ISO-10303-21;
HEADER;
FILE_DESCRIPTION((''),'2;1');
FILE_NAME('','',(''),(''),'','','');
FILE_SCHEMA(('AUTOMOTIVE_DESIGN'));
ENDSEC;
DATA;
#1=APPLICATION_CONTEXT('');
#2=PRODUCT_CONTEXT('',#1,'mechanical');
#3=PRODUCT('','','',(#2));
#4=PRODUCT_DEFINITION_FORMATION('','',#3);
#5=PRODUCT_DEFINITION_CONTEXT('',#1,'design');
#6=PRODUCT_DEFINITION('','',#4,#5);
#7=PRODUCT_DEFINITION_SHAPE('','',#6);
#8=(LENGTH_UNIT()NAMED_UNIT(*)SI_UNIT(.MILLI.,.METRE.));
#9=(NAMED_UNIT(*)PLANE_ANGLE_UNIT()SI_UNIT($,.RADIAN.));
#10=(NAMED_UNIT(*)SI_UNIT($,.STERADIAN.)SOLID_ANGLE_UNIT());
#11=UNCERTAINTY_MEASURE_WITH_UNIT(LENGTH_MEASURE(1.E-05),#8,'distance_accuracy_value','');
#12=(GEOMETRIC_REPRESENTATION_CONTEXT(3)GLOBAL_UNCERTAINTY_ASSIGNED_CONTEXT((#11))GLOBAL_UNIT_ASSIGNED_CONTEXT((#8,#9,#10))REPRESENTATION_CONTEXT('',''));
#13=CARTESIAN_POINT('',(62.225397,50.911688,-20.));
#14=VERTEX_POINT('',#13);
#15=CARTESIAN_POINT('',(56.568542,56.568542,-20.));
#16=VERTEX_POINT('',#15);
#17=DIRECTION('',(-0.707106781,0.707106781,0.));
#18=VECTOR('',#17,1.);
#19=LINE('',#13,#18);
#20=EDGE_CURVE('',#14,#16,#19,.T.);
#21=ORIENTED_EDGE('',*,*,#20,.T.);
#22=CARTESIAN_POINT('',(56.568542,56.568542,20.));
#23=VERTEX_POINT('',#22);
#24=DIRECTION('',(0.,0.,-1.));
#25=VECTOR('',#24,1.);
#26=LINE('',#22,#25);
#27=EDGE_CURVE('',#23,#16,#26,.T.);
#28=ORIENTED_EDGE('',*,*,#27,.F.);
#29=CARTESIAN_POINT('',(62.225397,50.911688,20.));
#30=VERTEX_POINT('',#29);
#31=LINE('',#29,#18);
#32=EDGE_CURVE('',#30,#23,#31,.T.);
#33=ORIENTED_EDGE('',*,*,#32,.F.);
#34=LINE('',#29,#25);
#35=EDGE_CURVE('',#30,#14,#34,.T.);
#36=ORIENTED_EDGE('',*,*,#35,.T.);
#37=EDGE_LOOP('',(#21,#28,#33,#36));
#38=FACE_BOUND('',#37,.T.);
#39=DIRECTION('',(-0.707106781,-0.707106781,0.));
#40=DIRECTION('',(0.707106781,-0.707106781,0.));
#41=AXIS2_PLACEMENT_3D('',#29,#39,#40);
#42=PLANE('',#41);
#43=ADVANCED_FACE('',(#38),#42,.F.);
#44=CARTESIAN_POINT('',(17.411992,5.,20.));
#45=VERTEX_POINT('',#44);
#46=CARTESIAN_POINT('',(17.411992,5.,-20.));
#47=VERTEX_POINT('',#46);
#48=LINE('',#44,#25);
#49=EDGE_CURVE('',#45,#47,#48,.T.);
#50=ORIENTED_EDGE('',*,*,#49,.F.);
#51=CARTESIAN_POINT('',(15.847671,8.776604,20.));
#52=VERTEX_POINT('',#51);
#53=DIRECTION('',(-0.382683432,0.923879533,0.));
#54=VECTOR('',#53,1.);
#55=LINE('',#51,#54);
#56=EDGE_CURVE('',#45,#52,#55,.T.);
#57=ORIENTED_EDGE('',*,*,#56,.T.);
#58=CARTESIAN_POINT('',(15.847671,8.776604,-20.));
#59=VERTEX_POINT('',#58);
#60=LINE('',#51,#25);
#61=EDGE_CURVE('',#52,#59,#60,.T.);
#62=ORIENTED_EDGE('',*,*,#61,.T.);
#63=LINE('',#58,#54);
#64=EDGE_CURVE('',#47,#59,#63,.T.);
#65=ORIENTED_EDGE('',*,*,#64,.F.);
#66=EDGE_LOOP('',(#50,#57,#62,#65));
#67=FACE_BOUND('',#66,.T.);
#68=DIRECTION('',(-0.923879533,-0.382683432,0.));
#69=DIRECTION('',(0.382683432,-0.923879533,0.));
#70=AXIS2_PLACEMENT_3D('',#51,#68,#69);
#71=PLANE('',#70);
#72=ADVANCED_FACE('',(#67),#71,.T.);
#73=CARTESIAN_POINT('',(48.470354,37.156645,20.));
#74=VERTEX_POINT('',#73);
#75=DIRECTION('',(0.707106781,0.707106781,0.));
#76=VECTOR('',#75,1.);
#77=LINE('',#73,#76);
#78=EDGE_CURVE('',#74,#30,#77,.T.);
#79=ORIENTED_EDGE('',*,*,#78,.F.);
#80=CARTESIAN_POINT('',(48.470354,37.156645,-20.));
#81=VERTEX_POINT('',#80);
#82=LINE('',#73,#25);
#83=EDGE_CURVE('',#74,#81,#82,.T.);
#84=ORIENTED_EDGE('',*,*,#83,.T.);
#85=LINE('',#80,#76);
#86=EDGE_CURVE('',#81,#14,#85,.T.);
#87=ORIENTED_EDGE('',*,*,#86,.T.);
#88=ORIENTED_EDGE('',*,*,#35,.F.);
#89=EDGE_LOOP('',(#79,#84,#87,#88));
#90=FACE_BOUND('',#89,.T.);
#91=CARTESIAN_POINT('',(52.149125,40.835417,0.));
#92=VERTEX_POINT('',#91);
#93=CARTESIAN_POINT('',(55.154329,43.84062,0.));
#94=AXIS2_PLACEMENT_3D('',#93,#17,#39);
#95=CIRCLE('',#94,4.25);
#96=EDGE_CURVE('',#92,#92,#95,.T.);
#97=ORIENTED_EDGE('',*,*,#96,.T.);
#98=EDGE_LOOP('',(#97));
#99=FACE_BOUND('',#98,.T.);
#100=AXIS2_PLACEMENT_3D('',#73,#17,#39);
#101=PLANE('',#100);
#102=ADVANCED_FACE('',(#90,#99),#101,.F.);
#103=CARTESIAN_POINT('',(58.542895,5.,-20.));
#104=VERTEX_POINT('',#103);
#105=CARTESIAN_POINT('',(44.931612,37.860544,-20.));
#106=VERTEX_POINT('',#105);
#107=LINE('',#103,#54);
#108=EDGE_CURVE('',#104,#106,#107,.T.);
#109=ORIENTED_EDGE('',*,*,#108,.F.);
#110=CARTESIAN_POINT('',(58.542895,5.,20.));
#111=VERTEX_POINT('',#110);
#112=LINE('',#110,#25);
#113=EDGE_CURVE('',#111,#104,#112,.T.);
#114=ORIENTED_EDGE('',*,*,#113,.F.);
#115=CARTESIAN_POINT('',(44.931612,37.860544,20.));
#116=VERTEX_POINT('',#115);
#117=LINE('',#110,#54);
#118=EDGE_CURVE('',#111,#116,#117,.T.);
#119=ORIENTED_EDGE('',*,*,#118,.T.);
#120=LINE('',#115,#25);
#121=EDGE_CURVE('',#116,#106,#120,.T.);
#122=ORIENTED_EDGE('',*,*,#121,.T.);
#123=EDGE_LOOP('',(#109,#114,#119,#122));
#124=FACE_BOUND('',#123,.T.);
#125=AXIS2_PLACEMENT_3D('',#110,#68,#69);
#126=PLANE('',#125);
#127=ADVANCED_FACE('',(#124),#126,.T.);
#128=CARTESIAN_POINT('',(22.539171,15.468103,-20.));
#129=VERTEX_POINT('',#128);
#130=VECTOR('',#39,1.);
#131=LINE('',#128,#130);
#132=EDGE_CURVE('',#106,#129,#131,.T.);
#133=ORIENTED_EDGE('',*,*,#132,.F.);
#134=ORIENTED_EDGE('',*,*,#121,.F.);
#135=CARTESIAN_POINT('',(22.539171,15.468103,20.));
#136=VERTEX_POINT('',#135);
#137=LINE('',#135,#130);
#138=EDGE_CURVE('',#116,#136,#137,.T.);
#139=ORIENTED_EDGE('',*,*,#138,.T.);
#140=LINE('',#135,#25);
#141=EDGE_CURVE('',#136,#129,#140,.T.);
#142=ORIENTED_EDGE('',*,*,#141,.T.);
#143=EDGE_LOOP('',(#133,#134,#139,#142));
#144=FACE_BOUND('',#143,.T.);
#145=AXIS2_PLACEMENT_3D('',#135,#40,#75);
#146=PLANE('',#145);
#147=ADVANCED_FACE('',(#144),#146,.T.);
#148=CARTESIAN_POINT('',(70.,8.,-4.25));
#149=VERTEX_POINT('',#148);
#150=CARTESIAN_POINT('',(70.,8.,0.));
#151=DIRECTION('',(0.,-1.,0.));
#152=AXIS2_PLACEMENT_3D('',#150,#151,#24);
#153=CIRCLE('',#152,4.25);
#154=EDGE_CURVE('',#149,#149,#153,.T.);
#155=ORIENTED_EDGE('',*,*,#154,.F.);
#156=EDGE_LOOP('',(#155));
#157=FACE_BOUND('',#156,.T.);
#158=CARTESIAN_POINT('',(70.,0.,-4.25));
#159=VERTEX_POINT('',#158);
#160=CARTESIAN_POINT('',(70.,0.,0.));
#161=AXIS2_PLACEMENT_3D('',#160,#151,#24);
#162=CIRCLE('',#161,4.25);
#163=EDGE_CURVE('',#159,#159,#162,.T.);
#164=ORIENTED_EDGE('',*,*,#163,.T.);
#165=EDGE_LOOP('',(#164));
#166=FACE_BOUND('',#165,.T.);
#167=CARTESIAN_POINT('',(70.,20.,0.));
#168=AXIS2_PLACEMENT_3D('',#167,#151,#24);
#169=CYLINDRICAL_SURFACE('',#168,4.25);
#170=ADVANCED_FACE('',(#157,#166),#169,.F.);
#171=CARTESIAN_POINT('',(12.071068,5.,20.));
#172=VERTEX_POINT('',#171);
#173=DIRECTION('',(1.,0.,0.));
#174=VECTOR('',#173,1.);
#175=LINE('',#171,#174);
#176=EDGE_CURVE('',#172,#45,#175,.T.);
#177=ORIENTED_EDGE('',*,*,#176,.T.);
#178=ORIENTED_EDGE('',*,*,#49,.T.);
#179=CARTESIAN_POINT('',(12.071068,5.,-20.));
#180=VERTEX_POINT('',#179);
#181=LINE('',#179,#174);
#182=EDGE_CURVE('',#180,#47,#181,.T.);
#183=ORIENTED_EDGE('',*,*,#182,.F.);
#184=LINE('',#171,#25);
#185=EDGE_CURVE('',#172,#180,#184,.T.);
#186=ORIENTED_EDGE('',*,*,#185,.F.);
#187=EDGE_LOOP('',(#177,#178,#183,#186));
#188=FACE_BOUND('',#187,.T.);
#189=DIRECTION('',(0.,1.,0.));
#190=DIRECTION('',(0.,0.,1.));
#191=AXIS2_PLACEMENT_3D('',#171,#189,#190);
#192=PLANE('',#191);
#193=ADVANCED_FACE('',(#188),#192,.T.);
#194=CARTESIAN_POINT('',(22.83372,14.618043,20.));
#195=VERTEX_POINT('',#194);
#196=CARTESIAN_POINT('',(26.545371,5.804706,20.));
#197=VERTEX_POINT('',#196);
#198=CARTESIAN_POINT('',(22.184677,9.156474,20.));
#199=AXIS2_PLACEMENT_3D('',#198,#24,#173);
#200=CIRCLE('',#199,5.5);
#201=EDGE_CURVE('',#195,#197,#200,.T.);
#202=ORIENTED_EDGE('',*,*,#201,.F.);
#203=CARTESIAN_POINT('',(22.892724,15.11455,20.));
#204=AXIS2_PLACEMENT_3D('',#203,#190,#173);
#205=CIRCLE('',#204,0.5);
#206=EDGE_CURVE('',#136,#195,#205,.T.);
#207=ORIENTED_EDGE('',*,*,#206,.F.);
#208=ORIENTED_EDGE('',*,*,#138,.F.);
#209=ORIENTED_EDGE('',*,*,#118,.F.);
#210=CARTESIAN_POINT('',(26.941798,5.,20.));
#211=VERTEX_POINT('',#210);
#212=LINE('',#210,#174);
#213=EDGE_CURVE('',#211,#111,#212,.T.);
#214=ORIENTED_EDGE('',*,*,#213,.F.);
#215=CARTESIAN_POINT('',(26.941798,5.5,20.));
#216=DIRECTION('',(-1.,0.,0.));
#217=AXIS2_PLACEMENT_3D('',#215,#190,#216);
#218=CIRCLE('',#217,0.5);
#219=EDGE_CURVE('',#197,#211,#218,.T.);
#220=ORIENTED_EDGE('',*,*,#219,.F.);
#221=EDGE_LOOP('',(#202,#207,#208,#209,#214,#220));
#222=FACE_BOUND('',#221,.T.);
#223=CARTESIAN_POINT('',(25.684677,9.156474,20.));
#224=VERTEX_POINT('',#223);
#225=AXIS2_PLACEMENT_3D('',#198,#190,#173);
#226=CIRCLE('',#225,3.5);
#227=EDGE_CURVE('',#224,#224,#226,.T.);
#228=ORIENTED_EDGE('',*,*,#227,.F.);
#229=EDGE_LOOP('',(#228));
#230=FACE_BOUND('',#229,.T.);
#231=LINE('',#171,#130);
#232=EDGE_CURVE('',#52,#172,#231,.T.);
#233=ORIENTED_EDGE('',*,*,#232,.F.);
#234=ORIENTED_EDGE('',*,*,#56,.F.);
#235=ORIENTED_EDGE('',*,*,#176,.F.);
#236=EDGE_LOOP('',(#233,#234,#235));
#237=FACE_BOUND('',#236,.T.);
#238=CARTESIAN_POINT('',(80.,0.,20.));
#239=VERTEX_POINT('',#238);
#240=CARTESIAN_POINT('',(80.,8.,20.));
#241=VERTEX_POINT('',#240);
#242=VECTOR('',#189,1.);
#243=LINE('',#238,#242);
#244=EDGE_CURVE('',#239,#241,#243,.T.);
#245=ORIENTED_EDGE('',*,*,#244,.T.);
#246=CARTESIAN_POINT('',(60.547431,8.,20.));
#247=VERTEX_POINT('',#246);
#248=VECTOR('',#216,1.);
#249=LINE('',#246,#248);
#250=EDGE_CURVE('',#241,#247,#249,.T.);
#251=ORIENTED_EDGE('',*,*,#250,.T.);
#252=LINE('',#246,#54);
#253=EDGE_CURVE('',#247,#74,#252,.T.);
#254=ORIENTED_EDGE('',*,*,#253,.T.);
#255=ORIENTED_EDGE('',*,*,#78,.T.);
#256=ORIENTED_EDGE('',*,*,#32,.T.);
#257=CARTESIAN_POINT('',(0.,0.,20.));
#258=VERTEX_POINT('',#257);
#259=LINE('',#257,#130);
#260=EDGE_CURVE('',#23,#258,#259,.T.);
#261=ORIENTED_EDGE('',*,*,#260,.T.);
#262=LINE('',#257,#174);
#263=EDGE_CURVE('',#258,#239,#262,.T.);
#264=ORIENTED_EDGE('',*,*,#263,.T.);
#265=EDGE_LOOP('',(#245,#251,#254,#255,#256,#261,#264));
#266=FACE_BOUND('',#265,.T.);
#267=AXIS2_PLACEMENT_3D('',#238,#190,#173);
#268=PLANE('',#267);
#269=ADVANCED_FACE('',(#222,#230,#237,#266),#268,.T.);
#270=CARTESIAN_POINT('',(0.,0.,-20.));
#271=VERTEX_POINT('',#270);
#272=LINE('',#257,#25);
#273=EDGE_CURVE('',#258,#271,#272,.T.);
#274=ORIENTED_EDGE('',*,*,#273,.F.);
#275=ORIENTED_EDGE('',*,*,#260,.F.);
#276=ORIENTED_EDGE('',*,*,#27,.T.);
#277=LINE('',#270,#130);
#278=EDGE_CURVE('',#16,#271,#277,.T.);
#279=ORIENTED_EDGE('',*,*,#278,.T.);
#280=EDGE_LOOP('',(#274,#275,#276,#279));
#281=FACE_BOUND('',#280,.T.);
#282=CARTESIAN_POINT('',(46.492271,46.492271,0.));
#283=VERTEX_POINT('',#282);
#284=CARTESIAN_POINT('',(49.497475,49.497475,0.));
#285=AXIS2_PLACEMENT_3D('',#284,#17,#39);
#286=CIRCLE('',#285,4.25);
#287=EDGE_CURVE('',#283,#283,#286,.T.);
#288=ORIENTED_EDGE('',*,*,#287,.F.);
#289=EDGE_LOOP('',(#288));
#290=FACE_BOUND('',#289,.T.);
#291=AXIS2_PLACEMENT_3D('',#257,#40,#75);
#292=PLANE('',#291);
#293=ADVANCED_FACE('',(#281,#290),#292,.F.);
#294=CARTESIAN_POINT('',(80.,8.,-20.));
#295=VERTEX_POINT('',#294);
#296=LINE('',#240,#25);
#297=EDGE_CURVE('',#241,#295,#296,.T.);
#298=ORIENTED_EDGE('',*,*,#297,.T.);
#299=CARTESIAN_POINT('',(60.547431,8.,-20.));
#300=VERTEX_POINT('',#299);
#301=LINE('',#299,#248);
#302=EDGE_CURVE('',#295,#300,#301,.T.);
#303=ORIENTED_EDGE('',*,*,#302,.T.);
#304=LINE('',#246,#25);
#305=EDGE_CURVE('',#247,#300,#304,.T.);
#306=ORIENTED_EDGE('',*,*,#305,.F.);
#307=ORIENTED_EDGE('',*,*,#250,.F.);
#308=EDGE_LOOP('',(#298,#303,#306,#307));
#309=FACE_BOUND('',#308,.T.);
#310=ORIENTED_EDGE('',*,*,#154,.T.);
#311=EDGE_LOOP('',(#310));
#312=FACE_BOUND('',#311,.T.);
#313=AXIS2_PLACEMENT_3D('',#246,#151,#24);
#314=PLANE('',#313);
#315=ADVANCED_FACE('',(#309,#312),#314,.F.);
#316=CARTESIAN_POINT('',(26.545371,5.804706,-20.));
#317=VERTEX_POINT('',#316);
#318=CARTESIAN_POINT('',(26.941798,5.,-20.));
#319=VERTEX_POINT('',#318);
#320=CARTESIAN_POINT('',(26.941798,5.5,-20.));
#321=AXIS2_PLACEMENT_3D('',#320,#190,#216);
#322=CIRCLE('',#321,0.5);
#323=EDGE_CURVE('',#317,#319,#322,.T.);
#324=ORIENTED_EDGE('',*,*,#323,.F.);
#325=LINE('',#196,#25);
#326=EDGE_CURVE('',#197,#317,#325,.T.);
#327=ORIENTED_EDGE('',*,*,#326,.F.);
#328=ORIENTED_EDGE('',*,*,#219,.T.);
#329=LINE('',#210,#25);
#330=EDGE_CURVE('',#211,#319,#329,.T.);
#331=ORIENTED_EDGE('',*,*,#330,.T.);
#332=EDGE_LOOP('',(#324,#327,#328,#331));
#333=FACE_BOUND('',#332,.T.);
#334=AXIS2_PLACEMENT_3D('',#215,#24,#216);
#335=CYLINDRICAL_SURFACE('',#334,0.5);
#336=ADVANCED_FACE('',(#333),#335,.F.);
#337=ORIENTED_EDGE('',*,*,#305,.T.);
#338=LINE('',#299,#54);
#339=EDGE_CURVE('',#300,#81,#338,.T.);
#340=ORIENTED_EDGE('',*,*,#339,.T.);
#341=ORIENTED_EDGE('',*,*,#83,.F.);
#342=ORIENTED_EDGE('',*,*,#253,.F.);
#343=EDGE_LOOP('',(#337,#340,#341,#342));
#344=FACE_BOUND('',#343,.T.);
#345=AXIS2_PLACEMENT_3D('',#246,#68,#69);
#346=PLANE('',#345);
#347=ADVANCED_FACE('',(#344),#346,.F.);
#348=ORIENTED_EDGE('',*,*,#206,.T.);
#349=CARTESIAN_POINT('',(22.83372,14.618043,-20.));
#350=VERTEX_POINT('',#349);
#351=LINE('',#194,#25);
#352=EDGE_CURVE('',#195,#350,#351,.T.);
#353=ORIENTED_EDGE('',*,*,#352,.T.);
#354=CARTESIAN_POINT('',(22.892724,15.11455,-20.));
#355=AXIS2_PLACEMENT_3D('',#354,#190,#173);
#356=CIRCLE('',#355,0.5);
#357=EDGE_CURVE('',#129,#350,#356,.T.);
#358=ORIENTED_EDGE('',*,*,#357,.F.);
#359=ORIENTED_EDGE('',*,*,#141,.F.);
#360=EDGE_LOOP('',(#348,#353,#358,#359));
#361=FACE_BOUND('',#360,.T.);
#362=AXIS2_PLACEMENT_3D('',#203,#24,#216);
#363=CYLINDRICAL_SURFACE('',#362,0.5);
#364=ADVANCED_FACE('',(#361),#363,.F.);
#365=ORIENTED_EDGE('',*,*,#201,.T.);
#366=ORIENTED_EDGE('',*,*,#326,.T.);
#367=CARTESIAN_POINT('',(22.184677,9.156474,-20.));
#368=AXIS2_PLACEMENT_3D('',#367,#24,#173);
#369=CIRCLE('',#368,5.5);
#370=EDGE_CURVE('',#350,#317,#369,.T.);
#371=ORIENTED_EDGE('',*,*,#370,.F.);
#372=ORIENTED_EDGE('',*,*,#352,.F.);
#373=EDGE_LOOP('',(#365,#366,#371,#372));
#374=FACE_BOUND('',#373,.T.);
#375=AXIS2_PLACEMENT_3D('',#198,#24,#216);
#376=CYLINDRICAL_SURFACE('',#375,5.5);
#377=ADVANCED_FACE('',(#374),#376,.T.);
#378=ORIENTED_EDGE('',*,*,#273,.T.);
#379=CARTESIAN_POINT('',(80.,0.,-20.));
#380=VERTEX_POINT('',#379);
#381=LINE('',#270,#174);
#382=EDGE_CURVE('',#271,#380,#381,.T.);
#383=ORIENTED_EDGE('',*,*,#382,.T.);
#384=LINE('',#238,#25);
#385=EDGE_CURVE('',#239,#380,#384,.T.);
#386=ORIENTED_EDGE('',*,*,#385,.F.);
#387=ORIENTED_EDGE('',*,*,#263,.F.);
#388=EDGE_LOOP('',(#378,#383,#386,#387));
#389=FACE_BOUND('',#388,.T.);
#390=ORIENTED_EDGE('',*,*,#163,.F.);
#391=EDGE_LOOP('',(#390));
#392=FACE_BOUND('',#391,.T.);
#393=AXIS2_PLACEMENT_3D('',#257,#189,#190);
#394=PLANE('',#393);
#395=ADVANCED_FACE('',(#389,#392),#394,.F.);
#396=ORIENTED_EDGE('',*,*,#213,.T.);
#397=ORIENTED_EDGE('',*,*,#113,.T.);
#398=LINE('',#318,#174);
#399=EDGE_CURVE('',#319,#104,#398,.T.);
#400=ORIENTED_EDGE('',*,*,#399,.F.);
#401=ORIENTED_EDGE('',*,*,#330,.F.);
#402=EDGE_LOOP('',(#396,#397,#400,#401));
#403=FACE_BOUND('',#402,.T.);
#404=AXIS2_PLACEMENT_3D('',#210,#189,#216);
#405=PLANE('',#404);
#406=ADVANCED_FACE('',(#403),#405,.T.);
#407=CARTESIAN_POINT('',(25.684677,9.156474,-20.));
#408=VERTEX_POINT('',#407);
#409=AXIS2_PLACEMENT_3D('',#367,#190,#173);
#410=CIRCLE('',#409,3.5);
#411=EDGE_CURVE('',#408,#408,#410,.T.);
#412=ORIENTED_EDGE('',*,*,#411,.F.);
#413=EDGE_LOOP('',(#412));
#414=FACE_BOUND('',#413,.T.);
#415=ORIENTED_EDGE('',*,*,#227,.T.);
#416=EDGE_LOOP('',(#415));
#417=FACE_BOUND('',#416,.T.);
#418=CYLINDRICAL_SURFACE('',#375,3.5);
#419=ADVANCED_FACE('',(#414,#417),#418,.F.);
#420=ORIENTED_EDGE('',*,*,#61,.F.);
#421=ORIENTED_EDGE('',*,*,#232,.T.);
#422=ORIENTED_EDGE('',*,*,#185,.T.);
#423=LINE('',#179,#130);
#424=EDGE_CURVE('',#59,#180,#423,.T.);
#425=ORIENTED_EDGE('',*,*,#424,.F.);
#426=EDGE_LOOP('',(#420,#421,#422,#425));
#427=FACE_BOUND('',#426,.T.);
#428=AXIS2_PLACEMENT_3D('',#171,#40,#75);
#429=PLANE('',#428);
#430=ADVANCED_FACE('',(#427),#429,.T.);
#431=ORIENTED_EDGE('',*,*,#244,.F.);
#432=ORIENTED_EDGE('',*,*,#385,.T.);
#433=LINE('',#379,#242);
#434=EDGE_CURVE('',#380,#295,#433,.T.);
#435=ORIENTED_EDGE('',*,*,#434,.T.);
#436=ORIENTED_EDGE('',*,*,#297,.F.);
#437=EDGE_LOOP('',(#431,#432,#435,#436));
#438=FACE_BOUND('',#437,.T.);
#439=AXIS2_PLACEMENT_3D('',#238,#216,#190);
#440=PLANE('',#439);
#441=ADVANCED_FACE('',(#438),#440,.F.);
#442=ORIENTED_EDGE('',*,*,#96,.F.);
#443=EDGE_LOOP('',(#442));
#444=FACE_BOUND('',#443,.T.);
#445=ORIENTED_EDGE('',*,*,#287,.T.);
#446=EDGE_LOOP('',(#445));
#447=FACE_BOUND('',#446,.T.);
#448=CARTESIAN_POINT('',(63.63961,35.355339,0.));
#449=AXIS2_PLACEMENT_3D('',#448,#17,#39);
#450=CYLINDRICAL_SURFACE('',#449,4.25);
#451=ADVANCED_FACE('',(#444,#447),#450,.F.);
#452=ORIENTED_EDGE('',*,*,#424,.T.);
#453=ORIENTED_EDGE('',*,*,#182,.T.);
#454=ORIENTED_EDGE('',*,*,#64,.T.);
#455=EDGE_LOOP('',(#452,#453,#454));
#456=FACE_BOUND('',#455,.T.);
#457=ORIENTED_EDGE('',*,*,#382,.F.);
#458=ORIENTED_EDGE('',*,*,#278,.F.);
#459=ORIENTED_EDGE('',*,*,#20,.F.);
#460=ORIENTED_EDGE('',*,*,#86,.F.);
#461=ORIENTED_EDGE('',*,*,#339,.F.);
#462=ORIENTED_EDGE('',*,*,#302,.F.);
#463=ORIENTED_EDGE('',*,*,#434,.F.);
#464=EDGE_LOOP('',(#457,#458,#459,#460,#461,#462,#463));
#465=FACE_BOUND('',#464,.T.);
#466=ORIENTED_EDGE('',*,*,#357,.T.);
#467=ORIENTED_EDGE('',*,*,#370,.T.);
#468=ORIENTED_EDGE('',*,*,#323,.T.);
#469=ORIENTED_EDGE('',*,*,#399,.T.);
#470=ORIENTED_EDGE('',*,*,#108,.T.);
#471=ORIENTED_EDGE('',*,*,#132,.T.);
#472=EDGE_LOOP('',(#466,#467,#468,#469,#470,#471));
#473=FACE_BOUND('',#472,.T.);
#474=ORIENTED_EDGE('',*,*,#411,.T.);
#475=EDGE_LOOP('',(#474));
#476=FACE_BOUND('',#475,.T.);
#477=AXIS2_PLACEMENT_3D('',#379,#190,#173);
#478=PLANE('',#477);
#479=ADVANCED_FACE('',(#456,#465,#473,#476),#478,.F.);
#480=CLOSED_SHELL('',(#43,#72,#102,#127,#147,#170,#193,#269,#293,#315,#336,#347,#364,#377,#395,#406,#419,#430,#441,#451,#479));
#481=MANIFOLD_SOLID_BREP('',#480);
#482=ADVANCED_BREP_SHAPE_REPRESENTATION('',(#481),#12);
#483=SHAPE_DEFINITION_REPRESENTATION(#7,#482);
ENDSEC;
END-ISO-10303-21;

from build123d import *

# Parameters (mm, degrees)
SKETCH_1_R          = 3.5
EXTRUDE_1_DEPTH     = 20
SKETCH_2_R          = 4.25
CUT_EXTRUDE_1_DEPTH = 20
SKETCH_3_R          = 4.25
CUT_EXTRUDE_2_DEPTH = 20


with BuildPart() as part:
    # 草图1 → 凸台-拉伸1 (new, symmetric)
    with BuildSketch(Plane.XY):
        Polygon((0, 0), (56.568542495, 56.568542495), (62.225396744, 50.911688245), (48.470353518, 37.156645019), (60.547431318, 8), (80, 8), (80, 0), align=None)
        with Locations((22.184677187, 9.156473773)):
            Circle(SKETCH_1_R, mode=Mode.SUBTRACT)
        Polygon((12.071067812, 5), (15.847671377, 8.776603565), (17.411991793, 5), align=None, mode=Mode.SUBTRACT)
        with BuildLine():
            Line((22.539170943, 15.468103131), (44.931612237, 37.860544425))
            Line((44.931612237, 37.860544425), (58.542895405, 5))
            Line((58.542895405, 5), (26.941798117, 5))
            ThreePointArc((26.941798117, 5), (26.493271042, 5.27903968), (26.545371373, 5.804706148))
            ThreePointArc((26.545371373, 5.804706148), (27.253512915, 11.291164467), (22.833720405, 14.61804341))
            ThreePointArc((22.833720405, 14.61804341), (22.420282519, 14.950846558), (22.539170943, 15.468103131))
        make_face(mode=Mode.SUBTRACT)
    extrude(amount=EXTRUDE_1_DEPTH, both=True)

    # 草图2 → 切除-拉伸1 (cut)
    with BuildSketch(Plane(origin=(0, 0, 0), x_dir=(0, 0, 1), z_dir=(-0.7071067811865488, 0.7071067811865464, 0))):
        with Locations(Location((0, 70, 0), (0, 0, 270))):
            Circle(SKETCH_2_R)
    extrude(amount=-CUT_EXTRUDE_1_DEPTH, mode=Mode.SUBTRACT)

    # 草图3 → 切除-拉伸2 (cut)
    with BuildSketch(Plane.XZ):
        with Locations(Location((70, 0, 0), (0, 0, 270))):
            Circle(SKETCH_3_R)
    extrude(amount=-CUT_EXTRUDE_2_DEPTH, mode=Mode.SUBTRACT)


solid = part.part
